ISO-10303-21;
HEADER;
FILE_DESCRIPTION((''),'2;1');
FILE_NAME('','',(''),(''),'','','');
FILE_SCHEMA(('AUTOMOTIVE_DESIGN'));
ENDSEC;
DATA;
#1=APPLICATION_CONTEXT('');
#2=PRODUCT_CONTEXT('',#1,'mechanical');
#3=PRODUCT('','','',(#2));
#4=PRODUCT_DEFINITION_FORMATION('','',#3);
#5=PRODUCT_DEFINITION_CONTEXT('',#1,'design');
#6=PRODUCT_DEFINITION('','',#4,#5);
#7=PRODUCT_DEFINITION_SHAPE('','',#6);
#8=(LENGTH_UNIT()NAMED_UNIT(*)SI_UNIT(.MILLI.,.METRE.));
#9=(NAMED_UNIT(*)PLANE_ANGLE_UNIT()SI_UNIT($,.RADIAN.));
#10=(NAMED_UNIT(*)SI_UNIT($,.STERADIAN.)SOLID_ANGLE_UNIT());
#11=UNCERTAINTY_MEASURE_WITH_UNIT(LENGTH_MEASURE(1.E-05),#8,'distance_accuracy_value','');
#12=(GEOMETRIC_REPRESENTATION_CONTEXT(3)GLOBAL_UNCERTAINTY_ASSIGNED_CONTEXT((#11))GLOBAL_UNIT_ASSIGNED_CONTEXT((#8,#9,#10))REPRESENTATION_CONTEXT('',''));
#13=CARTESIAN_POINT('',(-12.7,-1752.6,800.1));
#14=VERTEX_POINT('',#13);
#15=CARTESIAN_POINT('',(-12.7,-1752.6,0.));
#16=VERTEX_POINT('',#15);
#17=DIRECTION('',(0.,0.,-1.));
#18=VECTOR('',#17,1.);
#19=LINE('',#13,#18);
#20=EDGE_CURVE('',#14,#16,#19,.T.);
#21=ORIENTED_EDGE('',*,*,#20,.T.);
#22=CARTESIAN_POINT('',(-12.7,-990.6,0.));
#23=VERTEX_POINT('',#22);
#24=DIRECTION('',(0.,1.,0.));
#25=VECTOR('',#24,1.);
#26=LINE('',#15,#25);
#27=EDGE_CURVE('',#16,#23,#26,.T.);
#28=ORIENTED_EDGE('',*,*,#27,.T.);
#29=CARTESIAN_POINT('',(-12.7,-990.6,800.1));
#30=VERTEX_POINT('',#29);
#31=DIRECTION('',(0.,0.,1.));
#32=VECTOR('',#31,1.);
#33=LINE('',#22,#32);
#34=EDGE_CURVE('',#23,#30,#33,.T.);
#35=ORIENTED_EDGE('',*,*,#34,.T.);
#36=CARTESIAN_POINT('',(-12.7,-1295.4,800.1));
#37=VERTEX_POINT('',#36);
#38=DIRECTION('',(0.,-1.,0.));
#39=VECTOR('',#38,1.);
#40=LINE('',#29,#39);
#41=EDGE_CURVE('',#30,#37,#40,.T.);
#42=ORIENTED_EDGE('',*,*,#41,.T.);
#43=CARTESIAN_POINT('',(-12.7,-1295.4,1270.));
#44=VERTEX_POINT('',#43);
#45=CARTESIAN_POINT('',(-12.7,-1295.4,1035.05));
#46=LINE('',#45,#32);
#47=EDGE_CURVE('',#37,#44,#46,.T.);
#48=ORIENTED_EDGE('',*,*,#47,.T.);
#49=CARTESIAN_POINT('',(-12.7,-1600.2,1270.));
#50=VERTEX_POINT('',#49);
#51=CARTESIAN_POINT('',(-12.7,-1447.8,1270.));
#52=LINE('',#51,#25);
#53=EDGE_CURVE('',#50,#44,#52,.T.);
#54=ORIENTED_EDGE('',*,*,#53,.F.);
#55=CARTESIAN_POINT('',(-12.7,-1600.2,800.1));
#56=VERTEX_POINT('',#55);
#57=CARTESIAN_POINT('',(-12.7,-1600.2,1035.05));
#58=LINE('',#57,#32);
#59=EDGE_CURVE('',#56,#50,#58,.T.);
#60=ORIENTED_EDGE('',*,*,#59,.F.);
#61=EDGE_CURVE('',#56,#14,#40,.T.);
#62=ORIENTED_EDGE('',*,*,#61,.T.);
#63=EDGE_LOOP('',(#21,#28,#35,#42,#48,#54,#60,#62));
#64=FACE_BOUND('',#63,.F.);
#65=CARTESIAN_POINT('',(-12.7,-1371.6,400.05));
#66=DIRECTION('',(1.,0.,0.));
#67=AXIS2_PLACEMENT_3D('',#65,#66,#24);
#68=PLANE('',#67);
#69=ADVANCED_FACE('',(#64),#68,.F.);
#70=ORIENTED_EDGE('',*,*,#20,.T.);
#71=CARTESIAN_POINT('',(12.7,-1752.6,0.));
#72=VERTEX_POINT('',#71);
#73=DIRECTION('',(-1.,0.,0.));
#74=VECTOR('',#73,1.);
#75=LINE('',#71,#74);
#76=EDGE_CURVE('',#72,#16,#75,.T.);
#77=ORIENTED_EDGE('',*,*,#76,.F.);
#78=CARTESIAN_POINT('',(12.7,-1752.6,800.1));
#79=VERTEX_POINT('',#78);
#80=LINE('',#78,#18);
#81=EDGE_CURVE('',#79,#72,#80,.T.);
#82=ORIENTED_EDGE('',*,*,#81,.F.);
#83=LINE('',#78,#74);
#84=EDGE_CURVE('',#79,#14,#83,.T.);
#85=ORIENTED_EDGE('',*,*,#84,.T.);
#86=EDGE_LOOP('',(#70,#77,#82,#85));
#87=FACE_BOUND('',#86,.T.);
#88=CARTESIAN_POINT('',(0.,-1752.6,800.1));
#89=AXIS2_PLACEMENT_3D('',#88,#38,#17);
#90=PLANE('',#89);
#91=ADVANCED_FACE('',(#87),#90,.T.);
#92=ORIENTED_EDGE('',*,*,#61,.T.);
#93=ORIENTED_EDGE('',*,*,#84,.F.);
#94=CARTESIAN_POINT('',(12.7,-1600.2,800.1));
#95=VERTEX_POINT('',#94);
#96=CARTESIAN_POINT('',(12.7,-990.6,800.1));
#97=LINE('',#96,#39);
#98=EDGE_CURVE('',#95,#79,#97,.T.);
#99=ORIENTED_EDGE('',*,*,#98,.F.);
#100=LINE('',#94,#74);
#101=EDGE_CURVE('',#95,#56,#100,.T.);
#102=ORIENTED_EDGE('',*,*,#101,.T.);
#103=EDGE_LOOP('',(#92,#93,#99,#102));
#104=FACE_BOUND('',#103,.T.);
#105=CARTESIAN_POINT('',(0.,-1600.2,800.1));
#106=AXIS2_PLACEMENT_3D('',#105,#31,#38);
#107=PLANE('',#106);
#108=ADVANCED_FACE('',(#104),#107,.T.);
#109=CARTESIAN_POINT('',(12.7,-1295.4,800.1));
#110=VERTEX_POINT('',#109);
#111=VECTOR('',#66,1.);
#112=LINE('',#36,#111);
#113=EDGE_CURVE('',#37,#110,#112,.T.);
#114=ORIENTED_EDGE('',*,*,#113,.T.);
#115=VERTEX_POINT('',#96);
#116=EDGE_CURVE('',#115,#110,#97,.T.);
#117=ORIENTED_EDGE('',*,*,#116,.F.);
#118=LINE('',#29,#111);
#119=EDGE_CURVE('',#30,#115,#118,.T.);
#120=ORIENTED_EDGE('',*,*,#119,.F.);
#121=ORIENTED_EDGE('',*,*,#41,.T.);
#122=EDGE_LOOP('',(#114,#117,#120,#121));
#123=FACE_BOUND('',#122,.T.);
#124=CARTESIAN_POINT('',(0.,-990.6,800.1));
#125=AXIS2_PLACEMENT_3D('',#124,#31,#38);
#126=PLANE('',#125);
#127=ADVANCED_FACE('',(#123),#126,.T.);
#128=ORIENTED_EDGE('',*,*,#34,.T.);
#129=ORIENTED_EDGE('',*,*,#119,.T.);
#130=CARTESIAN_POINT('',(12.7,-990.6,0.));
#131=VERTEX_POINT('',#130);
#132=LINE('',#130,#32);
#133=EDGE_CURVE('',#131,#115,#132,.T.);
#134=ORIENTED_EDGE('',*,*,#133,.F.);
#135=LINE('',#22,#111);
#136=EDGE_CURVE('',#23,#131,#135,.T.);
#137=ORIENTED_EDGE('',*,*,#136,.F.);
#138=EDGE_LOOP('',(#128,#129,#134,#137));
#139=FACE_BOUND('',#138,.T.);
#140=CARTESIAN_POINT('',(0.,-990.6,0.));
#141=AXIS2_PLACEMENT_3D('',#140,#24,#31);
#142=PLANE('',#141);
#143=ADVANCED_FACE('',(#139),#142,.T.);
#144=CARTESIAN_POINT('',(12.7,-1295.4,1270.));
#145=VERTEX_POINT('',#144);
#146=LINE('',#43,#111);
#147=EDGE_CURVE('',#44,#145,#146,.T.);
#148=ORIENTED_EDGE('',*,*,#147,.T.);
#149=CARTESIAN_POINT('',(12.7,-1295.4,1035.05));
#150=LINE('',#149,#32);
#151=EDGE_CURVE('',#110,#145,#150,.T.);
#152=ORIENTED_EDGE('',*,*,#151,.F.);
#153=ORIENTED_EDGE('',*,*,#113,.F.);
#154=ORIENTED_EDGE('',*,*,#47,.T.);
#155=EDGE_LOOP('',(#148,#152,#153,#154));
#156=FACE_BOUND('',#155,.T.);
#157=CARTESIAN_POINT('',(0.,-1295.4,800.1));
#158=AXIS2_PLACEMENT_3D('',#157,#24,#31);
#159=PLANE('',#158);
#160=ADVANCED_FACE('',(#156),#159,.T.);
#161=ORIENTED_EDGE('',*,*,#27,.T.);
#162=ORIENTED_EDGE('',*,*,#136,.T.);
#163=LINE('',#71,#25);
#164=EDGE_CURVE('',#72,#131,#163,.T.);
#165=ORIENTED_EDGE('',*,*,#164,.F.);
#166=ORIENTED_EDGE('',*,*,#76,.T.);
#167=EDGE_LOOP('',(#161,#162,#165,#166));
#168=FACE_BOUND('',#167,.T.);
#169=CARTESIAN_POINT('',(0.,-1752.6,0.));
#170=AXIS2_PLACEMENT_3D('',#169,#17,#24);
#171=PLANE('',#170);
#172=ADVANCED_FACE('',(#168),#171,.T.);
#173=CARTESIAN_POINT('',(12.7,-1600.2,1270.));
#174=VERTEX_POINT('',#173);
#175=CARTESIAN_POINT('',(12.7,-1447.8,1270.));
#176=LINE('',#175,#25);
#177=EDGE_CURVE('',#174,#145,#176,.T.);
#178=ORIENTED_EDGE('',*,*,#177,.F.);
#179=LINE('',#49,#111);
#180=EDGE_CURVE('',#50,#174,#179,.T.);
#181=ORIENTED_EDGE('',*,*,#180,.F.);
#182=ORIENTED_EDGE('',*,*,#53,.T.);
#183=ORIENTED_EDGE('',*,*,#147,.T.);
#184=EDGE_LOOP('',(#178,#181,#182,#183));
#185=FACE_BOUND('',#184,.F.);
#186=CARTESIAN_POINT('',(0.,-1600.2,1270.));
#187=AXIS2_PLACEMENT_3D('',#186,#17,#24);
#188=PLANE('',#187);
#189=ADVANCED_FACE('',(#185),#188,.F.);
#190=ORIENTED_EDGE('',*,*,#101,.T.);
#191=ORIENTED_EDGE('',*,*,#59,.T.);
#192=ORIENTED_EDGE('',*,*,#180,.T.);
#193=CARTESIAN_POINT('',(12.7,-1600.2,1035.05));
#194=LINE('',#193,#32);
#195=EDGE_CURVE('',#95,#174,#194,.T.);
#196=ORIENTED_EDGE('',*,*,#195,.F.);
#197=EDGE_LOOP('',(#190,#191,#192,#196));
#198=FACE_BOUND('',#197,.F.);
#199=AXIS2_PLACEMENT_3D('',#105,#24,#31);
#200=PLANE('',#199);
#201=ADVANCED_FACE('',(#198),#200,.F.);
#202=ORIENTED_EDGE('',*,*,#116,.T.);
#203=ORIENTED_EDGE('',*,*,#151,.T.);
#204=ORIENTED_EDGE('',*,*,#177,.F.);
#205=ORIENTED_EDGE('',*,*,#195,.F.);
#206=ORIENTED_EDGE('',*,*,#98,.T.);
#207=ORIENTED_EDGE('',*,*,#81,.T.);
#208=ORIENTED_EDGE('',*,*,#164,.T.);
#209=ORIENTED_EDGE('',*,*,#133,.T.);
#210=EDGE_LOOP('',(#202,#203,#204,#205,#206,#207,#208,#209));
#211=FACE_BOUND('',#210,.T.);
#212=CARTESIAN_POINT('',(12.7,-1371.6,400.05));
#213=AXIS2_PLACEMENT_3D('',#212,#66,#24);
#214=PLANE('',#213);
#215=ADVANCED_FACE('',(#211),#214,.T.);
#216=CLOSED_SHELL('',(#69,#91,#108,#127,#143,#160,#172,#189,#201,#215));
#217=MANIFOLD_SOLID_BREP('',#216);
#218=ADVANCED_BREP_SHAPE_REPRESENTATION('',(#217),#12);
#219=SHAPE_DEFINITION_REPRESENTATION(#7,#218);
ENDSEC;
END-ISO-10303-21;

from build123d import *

# Parameters (mm, degrees)
F0_W     = 304.8
F0_H     = 469.9
F1_DEPTH = 12.7


with BuildPart() as f1:
    # F0 (on Right) → F1 (new body, symmetric)
    with BuildSketch(Plane.YZ):
        Polygon((-1752.6, 0), (-990.6, 0), (-990.6, 800.1), (-1295.4, 800.1), (-1600.2, 800.1), (-1752.6, 800.1), align=None)
        with Locations((-1447.8, 1035.05)):
            Rectangle(F0_W, F0_H)
    extrude(amount=F1_DEPTH, both=True)


solid = f1.part
